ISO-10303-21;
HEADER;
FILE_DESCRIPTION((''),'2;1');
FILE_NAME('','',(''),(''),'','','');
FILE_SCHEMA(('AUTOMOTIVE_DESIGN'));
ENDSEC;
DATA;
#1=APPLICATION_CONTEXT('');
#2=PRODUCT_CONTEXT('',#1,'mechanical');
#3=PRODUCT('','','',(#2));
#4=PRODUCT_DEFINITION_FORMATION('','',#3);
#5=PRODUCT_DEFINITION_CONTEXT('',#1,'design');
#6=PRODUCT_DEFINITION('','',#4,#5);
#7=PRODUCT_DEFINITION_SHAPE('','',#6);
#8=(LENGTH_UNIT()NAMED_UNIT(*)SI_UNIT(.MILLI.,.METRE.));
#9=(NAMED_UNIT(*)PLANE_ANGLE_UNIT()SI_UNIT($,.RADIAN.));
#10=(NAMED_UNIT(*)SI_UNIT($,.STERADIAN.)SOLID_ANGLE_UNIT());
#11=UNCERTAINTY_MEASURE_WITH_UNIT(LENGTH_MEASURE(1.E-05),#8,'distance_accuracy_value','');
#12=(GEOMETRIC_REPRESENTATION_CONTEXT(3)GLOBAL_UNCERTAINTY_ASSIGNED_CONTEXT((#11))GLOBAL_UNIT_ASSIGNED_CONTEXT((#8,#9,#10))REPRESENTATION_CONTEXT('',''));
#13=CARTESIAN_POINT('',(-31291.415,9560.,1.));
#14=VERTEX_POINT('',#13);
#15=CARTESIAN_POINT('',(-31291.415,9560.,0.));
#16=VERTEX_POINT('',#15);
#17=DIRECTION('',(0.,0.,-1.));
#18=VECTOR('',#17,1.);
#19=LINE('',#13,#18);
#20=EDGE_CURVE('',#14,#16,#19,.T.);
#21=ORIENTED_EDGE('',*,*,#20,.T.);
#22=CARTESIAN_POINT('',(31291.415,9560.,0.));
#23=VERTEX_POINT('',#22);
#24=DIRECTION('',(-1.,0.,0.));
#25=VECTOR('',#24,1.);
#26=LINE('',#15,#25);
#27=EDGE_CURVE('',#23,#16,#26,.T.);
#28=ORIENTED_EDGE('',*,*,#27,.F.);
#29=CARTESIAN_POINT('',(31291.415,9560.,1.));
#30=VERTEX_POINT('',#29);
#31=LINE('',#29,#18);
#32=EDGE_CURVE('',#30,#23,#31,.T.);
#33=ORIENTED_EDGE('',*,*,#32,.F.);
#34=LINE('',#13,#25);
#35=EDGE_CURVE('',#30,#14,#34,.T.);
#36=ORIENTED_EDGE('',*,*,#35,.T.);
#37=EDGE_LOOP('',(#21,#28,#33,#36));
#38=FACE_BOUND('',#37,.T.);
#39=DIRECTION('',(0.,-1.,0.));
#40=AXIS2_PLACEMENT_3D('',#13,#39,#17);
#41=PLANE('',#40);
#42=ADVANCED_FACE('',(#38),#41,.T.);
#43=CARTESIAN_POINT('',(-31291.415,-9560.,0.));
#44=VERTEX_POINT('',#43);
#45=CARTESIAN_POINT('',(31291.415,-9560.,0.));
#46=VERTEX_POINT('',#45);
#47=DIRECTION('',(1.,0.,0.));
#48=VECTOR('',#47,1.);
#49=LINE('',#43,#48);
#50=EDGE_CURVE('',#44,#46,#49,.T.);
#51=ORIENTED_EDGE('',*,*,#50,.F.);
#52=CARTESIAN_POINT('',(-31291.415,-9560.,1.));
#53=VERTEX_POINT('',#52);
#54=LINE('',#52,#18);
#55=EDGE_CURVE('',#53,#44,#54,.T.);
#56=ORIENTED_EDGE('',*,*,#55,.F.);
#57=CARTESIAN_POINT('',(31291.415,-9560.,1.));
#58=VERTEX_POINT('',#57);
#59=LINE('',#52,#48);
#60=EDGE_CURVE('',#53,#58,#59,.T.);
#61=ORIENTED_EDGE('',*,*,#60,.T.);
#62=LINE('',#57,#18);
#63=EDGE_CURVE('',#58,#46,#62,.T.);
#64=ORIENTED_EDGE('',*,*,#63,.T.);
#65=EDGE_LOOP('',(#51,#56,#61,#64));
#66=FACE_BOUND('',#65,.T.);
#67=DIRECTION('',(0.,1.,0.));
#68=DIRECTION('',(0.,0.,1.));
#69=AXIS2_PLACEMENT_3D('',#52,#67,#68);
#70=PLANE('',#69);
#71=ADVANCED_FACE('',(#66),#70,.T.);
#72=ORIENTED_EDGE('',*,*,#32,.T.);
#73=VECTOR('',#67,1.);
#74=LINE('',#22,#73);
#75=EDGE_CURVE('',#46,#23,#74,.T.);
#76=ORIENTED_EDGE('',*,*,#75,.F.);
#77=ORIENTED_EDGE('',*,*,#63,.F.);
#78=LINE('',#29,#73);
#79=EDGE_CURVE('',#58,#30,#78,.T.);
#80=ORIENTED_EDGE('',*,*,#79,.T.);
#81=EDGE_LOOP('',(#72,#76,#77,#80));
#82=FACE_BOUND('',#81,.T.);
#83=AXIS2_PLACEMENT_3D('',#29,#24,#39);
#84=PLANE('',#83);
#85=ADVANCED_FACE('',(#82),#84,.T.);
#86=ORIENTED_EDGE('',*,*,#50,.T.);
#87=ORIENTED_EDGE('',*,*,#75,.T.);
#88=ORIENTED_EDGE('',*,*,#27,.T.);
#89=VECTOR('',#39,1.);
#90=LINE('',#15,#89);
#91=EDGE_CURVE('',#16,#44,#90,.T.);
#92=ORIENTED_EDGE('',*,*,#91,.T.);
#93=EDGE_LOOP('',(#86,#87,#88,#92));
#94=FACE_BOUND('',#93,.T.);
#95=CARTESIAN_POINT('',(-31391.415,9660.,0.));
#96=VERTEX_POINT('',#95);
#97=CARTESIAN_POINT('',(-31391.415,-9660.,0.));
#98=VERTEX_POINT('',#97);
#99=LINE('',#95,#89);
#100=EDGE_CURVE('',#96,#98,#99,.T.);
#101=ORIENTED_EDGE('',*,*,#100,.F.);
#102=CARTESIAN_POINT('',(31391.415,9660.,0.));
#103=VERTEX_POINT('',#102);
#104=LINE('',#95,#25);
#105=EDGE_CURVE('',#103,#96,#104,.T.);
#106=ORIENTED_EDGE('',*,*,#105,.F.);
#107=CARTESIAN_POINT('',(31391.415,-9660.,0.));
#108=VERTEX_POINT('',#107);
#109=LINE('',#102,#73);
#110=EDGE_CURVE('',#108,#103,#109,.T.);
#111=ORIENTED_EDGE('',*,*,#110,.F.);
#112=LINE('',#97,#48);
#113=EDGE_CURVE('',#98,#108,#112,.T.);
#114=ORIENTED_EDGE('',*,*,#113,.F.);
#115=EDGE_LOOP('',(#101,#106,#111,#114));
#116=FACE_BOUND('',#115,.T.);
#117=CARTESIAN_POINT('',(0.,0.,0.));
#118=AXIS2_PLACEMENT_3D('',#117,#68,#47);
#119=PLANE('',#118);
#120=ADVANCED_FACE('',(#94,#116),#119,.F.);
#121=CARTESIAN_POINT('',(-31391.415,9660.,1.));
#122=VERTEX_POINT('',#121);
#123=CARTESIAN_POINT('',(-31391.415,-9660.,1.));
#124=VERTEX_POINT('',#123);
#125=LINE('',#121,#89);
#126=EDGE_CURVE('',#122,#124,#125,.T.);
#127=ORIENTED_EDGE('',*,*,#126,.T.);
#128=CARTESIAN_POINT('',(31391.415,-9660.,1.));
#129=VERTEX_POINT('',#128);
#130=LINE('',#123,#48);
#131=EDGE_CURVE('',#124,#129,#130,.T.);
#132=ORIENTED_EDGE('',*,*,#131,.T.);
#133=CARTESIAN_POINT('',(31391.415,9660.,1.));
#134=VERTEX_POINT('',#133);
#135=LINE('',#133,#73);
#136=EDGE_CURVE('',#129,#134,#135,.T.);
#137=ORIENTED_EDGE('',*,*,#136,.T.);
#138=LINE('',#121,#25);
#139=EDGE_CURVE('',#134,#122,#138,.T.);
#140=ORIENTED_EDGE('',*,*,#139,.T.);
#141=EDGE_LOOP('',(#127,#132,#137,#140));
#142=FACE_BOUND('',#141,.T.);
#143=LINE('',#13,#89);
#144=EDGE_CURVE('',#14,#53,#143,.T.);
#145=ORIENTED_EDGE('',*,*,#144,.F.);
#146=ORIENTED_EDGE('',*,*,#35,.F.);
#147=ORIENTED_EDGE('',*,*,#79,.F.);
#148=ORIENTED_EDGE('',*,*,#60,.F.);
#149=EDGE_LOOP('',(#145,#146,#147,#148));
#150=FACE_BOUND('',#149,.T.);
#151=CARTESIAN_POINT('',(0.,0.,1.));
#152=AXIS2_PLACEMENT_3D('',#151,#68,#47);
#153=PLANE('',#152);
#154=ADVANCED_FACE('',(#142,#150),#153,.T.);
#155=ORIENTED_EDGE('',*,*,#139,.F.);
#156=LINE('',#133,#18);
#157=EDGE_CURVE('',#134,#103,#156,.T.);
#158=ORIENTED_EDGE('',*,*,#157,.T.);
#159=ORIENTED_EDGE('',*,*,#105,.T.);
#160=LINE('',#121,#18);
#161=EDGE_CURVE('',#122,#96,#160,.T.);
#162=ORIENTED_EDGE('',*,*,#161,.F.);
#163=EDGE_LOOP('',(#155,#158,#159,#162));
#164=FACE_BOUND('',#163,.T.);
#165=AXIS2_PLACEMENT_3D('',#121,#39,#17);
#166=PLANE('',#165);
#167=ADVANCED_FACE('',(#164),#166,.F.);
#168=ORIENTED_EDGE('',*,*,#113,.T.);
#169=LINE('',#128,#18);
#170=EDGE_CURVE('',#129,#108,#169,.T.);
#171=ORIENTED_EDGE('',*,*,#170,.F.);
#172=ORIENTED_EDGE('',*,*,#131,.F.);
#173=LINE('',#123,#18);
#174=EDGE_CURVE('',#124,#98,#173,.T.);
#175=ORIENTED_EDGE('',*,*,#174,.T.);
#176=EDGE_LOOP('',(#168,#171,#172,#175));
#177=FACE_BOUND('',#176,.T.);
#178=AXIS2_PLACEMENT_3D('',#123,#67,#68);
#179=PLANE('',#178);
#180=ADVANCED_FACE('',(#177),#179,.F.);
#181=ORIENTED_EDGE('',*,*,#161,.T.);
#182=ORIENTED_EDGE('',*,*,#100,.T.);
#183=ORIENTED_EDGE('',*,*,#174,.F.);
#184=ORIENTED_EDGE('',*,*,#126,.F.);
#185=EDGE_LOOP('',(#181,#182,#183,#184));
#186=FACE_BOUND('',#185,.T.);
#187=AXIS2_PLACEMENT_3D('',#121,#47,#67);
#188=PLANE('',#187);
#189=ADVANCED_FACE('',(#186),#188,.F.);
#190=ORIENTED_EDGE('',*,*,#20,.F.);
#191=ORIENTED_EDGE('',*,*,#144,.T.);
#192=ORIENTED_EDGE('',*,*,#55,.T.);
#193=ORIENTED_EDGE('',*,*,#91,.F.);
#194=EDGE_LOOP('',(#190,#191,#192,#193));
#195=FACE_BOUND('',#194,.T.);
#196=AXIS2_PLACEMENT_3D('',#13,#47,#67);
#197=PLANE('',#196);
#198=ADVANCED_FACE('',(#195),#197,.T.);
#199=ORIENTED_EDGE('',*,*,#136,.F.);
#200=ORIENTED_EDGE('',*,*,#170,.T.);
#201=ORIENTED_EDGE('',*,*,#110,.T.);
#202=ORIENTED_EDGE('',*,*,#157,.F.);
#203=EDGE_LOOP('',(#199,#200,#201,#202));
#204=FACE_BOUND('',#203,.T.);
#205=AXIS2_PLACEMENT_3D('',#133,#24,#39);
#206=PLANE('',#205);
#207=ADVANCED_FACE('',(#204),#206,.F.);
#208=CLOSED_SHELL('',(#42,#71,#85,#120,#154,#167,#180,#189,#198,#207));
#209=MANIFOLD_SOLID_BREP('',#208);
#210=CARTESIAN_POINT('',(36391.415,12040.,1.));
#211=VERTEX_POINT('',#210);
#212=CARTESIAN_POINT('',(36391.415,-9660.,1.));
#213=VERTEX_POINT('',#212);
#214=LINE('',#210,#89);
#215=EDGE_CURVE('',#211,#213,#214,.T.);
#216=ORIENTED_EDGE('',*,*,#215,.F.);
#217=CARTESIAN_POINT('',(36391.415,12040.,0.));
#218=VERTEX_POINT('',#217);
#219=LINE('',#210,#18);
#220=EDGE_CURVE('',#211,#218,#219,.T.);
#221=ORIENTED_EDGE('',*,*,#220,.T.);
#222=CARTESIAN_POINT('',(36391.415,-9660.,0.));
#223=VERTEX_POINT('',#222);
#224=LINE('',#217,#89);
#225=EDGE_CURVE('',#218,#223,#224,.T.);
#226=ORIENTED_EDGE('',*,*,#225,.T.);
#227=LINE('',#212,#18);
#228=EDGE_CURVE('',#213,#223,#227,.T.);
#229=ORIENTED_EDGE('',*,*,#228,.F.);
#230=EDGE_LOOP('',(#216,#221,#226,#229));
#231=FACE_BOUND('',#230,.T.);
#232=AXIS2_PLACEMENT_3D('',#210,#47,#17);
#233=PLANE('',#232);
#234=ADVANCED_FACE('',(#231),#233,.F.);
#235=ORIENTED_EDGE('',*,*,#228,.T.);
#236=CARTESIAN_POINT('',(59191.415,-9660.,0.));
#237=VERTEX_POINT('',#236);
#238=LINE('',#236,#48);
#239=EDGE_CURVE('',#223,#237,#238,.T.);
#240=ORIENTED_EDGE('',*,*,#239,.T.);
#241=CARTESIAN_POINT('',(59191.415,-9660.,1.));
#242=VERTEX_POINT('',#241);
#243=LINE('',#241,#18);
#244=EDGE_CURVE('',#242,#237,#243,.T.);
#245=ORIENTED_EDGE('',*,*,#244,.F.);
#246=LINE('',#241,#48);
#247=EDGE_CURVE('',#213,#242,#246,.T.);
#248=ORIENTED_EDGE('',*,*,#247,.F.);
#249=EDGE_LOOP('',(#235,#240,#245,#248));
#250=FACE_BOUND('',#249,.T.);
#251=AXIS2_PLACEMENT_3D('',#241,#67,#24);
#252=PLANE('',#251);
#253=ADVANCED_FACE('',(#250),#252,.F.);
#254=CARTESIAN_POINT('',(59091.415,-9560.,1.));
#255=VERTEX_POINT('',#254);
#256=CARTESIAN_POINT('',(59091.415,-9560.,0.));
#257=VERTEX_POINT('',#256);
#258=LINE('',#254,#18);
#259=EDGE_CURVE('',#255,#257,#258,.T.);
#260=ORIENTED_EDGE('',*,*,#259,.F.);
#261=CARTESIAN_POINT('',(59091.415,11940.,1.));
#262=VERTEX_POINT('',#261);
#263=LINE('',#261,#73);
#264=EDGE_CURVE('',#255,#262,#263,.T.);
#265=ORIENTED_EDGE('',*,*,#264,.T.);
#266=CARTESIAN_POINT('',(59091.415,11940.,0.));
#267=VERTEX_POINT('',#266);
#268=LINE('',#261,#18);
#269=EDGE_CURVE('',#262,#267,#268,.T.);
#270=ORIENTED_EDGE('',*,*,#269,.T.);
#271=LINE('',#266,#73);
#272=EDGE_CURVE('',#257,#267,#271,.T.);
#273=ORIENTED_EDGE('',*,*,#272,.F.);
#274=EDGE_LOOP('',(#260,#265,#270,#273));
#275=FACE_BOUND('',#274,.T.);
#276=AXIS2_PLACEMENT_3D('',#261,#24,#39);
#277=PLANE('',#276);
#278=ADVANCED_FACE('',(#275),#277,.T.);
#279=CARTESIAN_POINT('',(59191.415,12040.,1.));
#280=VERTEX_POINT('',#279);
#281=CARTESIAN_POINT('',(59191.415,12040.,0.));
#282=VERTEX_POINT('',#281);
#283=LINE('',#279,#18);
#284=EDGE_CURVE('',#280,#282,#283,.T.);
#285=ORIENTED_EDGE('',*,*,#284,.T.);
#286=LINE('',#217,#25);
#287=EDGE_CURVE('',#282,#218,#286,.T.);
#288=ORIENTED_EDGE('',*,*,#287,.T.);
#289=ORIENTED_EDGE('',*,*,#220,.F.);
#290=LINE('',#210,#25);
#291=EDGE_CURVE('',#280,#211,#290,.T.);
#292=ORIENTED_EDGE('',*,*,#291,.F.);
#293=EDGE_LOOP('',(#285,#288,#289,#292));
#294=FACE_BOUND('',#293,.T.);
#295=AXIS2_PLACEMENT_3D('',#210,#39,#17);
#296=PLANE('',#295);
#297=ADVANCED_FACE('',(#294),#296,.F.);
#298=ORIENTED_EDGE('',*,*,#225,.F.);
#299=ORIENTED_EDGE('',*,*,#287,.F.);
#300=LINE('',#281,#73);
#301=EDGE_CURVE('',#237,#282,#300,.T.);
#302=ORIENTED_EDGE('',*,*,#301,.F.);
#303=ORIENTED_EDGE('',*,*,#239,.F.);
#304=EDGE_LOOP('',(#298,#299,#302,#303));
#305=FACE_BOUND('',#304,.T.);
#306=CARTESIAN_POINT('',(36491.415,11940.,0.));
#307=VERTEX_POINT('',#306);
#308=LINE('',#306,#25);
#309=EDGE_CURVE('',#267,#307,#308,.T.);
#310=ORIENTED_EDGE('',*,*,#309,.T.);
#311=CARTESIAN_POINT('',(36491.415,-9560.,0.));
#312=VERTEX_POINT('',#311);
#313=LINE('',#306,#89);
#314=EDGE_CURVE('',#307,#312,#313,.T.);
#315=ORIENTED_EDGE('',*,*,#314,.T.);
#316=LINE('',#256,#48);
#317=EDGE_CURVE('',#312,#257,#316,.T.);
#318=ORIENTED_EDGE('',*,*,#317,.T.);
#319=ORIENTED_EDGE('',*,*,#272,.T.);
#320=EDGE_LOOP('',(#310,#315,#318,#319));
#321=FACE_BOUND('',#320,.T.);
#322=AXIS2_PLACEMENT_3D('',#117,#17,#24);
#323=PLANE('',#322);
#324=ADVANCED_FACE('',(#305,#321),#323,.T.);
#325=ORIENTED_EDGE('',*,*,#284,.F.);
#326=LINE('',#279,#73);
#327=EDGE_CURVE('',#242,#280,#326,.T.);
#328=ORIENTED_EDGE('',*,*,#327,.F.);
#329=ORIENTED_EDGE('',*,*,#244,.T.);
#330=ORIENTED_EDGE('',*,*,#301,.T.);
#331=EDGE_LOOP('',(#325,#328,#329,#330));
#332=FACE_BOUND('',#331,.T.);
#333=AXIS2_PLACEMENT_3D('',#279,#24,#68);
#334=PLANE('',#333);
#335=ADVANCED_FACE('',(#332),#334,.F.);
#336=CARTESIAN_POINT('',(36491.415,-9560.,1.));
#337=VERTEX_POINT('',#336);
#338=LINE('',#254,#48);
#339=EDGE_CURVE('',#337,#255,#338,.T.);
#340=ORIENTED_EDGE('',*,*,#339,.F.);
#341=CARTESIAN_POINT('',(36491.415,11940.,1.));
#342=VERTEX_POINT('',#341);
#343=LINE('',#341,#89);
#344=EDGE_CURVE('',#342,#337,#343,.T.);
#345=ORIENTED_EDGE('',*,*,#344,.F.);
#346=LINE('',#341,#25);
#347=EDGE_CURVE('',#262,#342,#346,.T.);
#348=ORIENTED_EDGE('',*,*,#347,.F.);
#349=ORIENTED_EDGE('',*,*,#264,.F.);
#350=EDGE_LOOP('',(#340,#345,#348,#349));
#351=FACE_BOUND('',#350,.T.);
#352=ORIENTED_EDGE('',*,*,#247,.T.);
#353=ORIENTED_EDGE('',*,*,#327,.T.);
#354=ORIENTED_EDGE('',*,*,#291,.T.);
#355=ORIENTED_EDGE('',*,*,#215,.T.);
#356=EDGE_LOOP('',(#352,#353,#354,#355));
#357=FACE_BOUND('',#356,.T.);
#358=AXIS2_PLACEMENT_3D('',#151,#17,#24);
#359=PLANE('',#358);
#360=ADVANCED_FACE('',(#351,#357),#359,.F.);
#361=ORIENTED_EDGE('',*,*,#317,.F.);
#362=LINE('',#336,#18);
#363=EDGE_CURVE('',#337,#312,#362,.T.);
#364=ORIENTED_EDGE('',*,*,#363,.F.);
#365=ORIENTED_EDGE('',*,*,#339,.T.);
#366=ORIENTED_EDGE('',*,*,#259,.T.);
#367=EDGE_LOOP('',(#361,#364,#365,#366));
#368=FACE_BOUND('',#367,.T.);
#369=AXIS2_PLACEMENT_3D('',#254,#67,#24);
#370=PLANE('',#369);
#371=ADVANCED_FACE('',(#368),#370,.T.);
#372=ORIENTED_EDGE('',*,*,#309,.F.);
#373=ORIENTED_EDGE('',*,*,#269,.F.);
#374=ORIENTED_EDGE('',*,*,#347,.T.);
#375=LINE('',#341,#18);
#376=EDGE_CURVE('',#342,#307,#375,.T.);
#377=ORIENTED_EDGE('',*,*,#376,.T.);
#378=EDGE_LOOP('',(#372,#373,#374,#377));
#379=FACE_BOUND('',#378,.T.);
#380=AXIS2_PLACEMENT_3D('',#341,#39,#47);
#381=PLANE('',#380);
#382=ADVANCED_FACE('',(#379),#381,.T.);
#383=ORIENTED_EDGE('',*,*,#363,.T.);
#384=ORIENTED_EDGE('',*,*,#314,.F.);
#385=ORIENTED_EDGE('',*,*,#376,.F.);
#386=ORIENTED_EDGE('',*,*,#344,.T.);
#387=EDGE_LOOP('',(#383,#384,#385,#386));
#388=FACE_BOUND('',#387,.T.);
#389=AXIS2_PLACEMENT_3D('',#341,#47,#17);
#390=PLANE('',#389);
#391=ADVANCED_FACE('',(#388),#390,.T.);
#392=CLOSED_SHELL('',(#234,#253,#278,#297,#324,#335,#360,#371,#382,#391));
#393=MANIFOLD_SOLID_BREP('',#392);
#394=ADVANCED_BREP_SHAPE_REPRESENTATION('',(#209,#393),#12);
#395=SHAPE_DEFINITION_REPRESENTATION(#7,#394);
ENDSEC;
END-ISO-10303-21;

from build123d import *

# Parameters (mm, degrees)
CROQUIS1_W              = 62782.83
CROQUIS1_H              = 19320
CROQUIS1_W_2            = 62582.83
CROQUIS1_H_2            = 19120
SALIENTE_EXTRUIR1_DEPTH = 1
CROQUIS3_W              = 22800
CROQUIS3_H              = 21700
CROQUIS3_W_2            = 22600
CROQUIS3_H_2            = 21500
SALIENTE_EXTRUIR2_DEPTH = 1


with BuildPart() as part:
    # Croquis1 → Saliente-Extruir1 (new body)
    with BuildSketch(Plane.XY):
        Rectangle(CROQUIS1_W, CROQUIS1_H)
        Rectangle(CROQUIS1_W_2, CROQUIS1_H_2, mode=Mode.SUBTRACT)
    extrude(amount=SALIENTE_EXTRUIR1_DEPTH)


with BuildPart() as body_2:
    # Croquis3 → Saliente-Extruir2 (new body)
    with BuildSketch(Plane.XY):
        with Locations((47791.415, 1190)):
            Rectangle(CROQUIS3_W, CROQUIS3_H)
        with Locations((47791.415, 1190)):
            Rectangle(CROQUIS3_W_2, CROQUIS3_H_2, mode=Mode.SUBTRACT)
    extrude(amount=SALIENTE_EXTRUIR2_DEPTH)


solid = Compound([part.part, body_2.part])
